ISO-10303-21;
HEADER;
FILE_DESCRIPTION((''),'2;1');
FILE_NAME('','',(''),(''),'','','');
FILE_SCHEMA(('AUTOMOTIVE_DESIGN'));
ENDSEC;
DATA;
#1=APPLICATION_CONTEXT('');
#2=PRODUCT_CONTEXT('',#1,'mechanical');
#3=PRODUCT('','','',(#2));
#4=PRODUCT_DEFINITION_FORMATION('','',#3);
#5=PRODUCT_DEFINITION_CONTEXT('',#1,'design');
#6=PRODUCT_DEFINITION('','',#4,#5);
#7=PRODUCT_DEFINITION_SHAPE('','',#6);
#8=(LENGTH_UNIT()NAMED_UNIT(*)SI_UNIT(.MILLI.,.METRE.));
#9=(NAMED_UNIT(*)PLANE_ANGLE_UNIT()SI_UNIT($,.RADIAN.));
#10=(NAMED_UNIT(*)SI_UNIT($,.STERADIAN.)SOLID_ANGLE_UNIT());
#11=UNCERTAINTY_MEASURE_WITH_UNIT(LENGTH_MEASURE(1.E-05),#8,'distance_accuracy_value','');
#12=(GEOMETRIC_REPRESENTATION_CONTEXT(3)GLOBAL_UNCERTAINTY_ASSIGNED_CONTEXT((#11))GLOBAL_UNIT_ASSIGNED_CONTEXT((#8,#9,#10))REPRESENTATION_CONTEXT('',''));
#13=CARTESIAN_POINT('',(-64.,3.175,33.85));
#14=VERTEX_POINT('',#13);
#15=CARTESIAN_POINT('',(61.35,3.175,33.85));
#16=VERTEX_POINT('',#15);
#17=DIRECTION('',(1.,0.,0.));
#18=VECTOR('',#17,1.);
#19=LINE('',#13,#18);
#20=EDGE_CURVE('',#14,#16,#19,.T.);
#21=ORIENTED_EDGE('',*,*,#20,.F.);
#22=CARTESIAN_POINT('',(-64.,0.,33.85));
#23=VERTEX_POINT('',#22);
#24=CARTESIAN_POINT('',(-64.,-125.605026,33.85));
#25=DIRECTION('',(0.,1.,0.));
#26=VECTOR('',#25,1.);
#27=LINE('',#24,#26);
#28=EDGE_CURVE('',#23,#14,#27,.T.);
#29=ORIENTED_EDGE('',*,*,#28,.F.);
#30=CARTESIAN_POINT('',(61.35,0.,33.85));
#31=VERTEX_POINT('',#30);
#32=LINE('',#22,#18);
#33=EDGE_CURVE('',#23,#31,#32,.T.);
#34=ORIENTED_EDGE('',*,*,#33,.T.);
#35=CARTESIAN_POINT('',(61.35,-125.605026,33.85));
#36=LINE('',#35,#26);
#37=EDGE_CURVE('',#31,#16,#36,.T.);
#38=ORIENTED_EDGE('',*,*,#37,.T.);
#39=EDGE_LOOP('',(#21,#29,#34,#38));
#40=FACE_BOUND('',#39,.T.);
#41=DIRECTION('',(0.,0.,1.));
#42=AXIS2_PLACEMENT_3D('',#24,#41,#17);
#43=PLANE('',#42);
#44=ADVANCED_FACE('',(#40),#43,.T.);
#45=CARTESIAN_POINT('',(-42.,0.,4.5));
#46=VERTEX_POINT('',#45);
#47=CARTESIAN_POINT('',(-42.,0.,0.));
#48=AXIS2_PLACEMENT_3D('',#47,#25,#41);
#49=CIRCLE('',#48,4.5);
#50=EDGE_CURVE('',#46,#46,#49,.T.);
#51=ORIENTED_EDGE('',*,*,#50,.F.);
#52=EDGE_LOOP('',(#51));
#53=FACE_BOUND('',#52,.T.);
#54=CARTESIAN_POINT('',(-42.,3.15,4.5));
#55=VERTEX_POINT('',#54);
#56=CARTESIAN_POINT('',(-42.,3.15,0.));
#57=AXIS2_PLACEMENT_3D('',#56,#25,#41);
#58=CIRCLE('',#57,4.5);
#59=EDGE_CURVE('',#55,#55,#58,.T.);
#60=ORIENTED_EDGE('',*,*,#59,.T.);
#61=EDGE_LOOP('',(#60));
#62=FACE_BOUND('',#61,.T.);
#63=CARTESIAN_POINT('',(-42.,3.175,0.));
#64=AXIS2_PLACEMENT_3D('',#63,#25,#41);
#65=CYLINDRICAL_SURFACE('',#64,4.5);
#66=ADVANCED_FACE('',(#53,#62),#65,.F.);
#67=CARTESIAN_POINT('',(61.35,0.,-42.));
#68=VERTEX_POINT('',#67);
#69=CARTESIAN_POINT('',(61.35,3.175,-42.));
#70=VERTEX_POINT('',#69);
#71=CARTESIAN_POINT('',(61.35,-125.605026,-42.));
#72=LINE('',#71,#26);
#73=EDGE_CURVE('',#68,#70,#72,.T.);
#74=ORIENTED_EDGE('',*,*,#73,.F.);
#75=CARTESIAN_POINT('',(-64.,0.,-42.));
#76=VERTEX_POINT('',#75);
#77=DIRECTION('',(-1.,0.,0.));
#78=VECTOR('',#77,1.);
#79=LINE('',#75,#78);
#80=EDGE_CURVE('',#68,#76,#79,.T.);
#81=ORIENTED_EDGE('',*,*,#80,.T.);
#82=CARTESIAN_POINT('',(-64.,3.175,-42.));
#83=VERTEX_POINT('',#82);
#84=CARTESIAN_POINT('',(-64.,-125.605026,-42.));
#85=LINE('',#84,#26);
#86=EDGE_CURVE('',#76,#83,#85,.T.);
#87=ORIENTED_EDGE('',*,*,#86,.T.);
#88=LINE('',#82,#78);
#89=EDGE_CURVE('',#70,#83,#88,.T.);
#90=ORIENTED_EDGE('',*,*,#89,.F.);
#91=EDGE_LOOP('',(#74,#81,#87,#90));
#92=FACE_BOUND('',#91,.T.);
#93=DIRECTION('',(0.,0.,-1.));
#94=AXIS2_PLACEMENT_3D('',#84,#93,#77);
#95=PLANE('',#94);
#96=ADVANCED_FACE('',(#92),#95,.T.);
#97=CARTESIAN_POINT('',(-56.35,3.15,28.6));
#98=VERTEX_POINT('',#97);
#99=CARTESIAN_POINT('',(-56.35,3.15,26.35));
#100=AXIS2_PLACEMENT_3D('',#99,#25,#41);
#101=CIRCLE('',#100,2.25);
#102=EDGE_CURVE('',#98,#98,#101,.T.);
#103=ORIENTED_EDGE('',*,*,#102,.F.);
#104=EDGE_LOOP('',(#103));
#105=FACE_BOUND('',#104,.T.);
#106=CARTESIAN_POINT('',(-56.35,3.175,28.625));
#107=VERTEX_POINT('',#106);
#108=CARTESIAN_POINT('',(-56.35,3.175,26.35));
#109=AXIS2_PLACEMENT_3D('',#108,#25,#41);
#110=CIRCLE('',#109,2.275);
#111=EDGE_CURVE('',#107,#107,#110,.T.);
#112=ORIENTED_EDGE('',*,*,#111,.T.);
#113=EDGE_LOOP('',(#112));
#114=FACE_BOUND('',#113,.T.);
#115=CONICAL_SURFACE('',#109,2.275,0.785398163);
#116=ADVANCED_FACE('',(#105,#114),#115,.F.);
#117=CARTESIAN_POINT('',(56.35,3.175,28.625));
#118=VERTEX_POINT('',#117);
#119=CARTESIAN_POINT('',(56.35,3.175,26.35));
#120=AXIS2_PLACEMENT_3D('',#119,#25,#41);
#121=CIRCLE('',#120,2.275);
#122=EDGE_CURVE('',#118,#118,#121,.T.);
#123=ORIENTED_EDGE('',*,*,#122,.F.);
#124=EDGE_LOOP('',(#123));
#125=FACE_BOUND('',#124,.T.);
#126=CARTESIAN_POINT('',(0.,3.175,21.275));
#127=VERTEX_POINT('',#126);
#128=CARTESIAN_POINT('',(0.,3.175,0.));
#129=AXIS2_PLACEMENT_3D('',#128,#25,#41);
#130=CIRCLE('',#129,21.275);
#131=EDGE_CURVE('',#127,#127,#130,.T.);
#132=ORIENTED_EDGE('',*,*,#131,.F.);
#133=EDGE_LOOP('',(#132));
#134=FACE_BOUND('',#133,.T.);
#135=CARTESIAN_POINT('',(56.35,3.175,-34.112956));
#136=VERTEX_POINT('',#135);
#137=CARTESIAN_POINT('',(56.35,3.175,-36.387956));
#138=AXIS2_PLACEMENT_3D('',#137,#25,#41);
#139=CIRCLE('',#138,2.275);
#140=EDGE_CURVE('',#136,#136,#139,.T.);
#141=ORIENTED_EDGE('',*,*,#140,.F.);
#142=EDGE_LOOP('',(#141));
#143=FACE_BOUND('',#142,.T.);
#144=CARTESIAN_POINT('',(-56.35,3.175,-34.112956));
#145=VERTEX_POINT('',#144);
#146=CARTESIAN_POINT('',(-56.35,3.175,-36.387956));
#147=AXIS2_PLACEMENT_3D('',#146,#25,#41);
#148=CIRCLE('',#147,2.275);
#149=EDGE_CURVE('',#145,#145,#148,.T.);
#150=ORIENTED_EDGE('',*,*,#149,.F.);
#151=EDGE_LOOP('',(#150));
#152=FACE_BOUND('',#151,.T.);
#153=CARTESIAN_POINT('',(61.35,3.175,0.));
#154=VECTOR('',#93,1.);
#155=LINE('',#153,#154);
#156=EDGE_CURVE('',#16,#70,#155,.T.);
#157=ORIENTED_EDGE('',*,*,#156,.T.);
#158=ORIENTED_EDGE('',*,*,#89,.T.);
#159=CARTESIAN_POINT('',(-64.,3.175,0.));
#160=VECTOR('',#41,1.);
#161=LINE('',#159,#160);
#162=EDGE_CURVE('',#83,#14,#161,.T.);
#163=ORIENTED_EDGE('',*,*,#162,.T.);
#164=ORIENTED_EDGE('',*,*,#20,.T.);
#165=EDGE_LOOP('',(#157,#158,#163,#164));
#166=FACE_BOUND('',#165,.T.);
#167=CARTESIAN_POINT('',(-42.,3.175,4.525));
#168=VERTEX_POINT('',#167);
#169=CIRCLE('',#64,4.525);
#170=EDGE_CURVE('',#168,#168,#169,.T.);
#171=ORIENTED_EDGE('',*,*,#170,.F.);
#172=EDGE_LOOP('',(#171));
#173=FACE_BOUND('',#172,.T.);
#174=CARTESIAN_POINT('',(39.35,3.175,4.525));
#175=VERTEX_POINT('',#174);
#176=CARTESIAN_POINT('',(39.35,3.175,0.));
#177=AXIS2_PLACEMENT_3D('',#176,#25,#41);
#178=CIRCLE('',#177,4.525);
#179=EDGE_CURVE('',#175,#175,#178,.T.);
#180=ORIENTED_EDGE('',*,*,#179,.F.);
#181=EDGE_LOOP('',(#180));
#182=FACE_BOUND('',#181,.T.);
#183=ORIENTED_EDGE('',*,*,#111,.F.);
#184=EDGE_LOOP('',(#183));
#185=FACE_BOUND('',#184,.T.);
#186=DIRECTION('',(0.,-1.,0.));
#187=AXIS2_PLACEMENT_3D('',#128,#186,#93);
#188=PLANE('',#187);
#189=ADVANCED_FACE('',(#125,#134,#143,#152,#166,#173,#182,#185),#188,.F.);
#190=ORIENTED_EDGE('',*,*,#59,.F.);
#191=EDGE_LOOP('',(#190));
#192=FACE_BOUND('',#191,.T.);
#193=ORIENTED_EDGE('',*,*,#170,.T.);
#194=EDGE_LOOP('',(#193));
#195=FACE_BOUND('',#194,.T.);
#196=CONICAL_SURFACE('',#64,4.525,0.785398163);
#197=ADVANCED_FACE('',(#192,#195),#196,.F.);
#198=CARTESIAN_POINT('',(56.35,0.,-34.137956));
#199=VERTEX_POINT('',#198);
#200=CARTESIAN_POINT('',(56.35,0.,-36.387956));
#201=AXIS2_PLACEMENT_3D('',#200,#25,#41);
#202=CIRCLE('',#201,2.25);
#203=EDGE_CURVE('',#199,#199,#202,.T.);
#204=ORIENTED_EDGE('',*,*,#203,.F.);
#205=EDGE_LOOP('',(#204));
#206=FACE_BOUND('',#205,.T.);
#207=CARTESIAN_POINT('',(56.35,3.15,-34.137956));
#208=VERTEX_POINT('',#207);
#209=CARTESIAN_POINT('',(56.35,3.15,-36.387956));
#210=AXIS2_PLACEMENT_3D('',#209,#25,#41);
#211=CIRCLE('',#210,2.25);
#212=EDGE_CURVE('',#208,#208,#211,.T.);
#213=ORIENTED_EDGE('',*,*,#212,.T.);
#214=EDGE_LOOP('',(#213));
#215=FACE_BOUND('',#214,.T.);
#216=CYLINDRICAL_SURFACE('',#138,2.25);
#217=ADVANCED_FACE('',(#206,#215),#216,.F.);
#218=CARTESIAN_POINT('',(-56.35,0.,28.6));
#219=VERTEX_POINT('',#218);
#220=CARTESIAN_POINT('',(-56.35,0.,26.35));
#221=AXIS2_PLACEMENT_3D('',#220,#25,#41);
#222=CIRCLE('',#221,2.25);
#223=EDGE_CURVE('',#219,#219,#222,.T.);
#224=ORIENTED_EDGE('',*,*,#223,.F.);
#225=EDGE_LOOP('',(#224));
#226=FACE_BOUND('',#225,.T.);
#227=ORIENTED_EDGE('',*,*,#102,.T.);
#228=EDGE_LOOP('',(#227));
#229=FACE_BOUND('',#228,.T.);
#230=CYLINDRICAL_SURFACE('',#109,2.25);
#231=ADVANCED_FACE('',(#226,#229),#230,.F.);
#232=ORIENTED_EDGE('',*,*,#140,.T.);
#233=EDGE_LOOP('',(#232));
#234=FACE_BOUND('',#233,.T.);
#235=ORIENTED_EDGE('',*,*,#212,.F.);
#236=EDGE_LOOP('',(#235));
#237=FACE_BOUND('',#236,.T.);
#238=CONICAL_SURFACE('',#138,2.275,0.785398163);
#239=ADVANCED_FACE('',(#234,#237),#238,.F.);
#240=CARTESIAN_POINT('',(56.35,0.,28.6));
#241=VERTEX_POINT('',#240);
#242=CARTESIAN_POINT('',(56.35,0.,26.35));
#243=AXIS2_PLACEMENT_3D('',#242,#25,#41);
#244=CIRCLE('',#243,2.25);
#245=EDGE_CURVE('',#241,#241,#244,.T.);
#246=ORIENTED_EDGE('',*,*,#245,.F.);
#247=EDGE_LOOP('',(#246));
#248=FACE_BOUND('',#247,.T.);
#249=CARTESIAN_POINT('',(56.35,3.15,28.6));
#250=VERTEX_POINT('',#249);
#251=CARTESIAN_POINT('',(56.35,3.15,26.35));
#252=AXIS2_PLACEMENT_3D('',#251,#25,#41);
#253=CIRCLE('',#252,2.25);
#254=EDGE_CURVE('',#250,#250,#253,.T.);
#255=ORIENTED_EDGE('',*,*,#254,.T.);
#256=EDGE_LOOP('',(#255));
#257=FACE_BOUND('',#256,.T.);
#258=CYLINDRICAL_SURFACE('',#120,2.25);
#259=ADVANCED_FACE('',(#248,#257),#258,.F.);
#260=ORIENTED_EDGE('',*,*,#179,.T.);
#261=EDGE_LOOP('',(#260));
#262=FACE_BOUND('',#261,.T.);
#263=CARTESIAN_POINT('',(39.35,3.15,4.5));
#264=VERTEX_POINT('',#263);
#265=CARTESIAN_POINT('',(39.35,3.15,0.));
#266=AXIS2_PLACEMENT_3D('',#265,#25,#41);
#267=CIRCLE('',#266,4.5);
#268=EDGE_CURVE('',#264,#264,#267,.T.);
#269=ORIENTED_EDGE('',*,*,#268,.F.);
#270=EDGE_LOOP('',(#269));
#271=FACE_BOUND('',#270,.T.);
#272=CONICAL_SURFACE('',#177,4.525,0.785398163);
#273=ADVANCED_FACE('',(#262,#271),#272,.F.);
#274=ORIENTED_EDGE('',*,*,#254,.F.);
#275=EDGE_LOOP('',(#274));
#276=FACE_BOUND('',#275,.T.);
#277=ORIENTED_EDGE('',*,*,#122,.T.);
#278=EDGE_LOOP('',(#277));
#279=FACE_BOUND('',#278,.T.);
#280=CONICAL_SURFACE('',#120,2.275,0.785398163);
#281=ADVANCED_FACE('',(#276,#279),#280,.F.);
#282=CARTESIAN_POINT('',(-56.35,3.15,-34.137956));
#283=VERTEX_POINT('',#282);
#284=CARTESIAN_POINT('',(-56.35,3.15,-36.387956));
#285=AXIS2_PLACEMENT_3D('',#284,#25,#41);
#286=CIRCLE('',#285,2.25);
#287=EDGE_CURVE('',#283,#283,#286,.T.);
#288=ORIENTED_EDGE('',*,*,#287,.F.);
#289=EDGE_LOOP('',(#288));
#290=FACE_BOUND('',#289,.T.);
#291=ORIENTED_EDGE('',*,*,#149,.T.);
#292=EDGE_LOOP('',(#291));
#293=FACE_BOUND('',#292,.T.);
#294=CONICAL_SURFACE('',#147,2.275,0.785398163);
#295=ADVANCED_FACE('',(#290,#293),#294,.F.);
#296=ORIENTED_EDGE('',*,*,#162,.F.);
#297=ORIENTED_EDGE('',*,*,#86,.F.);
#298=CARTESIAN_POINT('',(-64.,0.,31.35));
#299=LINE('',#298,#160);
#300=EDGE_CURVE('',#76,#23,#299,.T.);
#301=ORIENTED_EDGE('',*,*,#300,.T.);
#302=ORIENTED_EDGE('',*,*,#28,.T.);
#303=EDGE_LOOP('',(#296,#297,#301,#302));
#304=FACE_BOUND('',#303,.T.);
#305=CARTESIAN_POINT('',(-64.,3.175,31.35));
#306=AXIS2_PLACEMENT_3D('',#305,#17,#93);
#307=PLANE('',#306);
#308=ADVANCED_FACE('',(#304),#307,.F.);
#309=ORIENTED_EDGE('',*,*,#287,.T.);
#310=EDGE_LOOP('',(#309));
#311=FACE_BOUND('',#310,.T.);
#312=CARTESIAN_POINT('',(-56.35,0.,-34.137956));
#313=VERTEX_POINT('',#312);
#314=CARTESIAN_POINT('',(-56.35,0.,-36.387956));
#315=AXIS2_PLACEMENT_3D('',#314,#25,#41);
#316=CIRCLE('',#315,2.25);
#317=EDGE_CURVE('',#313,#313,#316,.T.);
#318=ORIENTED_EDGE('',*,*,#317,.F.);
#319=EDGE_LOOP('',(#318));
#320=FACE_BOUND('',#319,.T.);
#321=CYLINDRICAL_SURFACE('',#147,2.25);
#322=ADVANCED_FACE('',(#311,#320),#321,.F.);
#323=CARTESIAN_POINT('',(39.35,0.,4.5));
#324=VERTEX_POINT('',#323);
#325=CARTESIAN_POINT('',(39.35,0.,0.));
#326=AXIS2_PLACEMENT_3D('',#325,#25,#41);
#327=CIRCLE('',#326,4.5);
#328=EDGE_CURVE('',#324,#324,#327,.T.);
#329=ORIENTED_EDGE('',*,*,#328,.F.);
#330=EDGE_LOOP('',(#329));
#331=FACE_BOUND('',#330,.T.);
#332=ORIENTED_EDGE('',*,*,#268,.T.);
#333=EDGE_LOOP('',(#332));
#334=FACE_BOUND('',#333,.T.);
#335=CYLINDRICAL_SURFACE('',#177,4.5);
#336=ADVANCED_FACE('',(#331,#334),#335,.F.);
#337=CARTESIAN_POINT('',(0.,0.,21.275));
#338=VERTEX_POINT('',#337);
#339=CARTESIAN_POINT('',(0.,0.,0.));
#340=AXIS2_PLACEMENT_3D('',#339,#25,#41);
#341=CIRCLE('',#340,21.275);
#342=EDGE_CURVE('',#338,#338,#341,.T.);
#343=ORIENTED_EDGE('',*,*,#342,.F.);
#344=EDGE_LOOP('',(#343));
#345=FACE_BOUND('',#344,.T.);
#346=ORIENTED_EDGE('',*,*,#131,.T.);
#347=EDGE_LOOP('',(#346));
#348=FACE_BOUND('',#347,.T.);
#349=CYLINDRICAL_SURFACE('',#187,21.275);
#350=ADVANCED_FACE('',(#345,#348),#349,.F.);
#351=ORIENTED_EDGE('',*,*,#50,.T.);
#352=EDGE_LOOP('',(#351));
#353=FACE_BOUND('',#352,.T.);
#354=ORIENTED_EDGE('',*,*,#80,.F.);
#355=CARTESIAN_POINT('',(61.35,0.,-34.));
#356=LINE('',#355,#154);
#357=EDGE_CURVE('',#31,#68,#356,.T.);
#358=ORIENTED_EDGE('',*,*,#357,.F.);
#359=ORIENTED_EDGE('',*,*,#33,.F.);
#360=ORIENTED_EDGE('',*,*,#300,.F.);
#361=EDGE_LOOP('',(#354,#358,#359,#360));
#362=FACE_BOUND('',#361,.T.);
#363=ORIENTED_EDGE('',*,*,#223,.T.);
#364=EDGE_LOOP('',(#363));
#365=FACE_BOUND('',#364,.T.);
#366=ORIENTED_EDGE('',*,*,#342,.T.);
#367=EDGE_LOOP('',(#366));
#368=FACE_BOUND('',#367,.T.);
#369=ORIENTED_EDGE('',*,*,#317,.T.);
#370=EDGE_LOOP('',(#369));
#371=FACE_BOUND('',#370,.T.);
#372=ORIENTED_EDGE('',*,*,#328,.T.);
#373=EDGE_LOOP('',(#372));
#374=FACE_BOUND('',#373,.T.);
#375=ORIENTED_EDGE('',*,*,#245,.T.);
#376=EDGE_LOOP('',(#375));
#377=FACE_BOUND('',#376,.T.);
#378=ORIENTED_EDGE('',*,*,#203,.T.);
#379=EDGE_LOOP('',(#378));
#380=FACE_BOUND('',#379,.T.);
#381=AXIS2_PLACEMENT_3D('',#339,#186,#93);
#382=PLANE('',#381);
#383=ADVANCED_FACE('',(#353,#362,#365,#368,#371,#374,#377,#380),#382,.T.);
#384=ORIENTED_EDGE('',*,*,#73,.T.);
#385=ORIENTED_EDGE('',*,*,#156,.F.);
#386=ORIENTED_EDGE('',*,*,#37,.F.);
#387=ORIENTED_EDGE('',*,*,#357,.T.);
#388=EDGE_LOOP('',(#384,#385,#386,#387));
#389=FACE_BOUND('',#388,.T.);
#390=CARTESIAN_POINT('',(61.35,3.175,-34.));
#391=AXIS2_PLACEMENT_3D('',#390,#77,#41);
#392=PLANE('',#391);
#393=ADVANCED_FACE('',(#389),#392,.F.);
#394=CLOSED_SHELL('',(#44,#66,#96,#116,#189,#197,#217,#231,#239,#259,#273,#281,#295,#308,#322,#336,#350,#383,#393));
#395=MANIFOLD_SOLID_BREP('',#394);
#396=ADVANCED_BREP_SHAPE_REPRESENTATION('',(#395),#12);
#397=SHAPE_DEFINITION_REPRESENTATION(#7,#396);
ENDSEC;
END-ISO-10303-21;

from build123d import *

# Parameters (mm, degrees)
SKETCH1_R                      = 21.275
BOSS_EXTRUDE1_DEPTH            = 3.175
M8_CLEARANCE_HOLE1_AT_2_COUNT  = 2
M8_CLEARANCE_HOLE1_AT_2_PITCH  = 81.35
SKETCH9_W                      = 125.35
SKETCH9_H                      = 8
SKETCH9_H_2                    = 2.5
BOSS_EXTRUDE2_DEPTH            = 3.175
M4_CLEARANCE_HOLE1_D           = 4.5
M4_CLEARANCE_HOLE1_CSINK_D     = 4.55
M4_CLEARANCE_HOLE1_CSINK_ANGLE = 90


with BuildPart() as part:
    # Sketch1 → Boss-Extrude1 (new body)
    with BuildSketch(Plane(origin=(0, 0, 0), x_dir=(1, 0, 0), z_dir=(0, 1, 0))):
        Polygon((-64, 0), (-64, 34), (61.35, 34), (61.35, 0), (61.35, -31.35), (-64, -31.35), align=None)
        with Locations(Location((0, 0, 0), (0, 0, 270))):
            Circle(SKETCH1_R, mode=Mode.SUBTRACT)
    extrude(amount=BOSS_EXTRUDE1_DEPTH)

    # Sketch4 → M8 Clearance Hole1 (revolve, cut)
    with BuildSketch(Plane(origin=(-42, 3.175, 0), x_dir=(0, 0, 1), z_dir=(1, 0, 0))):
        Polygon((0, 0), (0, 3.175), (4.5, 3.175), (4.5, 0.025), (4.525, 0), align=None)
    m8_clearance_hole1 = revolve(axis=Axis((-42, 9.525, 0), (0, -1, 0)), mode=Mode.SUBTRACT)

    # M8 Clearance Hole1 at 2: M8 Clearance Hole1 ×2
    with Locations(*[(i * M8_CLEARANCE_HOLE1_AT_2_PITCH, 0, 0) for i in range(1, M8_CLEARANCE_HOLE1_AT_2_COUNT)]):
        add(m8_clearance_hole1, mode=Mode.SUBTRACT)

    # Sketch9 → Boss-Extrude2 (add)
    with BuildSketch(Plane(origin=(0, 3.175, 0), x_dir=(1, 0, 0), z_dir=(0, 1, 0))):
        with Locations((-1.325, 38)):
            Rectangle(SKETCH9_W, SKETCH9_H)
        with Locations((-1.325, -32.6)):
            Rectangle(SKETCH9_W, SKETCH9_H_2)
    extrude(amount=-BOSS_EXTRUDE2_DEPTH)

    # M4 Clearance Hole1 (through all)
    with Locations(Plane(origin=(0, 3.175, 0), x_dir=(1, 0, 0), z_dir=(0, 1, 0))):
        with Locations((-56.35, 36.38795554), (-56.35, -26.35), (56.35, -26.35), (56.35, 36.38795554)):
            CounterSinkHole(M4_CLEARANCE_HOLE1_D / 2, M4_CLEARANCE_HOLE1_CSINK_D / 2, counter_sink_angle=M4_CLEARANCE_HOLE1_CSINK_ANGLE)


solid = part.part
